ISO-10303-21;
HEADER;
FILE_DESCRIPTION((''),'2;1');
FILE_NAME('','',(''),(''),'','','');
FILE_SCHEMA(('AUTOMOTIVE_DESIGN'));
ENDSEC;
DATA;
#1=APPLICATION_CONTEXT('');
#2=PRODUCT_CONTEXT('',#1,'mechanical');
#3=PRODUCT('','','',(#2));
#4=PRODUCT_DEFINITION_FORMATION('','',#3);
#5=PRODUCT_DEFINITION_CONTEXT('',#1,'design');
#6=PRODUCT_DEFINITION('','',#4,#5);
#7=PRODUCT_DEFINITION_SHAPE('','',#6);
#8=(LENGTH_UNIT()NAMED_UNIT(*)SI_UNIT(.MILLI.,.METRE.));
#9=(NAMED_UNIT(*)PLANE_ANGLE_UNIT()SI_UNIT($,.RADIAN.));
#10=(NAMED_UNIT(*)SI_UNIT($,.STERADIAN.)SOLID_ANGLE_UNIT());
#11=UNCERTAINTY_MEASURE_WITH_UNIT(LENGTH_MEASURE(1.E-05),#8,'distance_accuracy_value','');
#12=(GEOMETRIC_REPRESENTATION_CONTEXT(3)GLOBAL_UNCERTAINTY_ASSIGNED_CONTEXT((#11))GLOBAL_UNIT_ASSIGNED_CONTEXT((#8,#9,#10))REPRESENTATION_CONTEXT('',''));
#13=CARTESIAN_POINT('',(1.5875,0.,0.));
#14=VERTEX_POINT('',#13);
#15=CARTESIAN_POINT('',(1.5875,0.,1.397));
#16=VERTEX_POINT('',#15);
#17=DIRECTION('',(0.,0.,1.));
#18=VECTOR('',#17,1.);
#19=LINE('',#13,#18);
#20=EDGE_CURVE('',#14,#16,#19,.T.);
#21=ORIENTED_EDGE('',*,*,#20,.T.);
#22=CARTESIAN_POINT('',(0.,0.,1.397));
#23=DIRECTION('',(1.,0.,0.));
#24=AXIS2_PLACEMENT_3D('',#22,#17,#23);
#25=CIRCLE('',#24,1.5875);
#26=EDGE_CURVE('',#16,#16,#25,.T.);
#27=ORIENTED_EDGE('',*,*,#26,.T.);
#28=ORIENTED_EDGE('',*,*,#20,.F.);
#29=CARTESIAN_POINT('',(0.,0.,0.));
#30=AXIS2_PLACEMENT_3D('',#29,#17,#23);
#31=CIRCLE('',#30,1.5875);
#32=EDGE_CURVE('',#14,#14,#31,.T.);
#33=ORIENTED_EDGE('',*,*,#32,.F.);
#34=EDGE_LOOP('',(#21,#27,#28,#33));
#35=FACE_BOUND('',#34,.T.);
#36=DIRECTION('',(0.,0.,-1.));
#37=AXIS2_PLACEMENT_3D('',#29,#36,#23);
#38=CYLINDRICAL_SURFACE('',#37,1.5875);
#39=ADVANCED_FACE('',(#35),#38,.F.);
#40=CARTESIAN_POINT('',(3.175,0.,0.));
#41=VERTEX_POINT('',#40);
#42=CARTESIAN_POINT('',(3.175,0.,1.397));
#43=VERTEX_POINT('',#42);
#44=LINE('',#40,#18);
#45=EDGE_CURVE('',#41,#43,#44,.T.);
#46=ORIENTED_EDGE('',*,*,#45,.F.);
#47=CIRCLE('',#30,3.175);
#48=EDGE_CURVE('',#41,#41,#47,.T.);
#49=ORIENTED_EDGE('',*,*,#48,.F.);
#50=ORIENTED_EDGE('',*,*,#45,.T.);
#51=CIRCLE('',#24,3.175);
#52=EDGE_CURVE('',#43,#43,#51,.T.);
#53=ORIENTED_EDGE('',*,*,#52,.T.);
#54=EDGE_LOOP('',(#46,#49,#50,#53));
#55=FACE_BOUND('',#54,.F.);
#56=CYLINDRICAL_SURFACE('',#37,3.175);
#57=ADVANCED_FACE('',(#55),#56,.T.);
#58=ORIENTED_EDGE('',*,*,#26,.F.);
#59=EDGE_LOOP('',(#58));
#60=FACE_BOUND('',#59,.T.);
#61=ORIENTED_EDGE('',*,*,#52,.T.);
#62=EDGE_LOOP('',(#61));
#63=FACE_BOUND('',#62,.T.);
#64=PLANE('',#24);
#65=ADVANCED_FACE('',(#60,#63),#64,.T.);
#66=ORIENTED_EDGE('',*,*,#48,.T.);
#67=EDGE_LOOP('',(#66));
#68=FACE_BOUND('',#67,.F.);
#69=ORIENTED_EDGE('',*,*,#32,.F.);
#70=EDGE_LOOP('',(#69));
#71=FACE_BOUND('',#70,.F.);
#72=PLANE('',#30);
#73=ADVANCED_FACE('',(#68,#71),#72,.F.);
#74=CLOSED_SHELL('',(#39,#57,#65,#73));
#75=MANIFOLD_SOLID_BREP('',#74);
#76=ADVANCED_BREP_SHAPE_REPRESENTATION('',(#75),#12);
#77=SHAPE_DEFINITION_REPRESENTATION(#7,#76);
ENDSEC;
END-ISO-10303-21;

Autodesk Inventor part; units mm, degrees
ref_plane "YZ Plane" through (0, 0, 0) normal (1, 0, 0) x (0, 1, 0)
ref_plane "XZ Plane" through (0, 0, 0) normal (0, 1, 0) x (-1, 0, 0)
ref_plane "XY Plane" through (0, 0, 0) normal (0, 0, 1) x (1, 0, 0)
sketch "Sketch1" plane through (0, 0, 0) normal (0, 0, 1) x (1, 0, 0)
  circle A0 centre (0, 0) radius 1.5875
  circle A1 centre (0, 0) radius 3.175
  dimension "d0" = 3.175
  dimension "d1" = 6.35
extrude "Extrusion1" add sketch "Sketch1" along normal blind 1.397
properties part number "ArduinoSpacers" material "ABS Plastic"
